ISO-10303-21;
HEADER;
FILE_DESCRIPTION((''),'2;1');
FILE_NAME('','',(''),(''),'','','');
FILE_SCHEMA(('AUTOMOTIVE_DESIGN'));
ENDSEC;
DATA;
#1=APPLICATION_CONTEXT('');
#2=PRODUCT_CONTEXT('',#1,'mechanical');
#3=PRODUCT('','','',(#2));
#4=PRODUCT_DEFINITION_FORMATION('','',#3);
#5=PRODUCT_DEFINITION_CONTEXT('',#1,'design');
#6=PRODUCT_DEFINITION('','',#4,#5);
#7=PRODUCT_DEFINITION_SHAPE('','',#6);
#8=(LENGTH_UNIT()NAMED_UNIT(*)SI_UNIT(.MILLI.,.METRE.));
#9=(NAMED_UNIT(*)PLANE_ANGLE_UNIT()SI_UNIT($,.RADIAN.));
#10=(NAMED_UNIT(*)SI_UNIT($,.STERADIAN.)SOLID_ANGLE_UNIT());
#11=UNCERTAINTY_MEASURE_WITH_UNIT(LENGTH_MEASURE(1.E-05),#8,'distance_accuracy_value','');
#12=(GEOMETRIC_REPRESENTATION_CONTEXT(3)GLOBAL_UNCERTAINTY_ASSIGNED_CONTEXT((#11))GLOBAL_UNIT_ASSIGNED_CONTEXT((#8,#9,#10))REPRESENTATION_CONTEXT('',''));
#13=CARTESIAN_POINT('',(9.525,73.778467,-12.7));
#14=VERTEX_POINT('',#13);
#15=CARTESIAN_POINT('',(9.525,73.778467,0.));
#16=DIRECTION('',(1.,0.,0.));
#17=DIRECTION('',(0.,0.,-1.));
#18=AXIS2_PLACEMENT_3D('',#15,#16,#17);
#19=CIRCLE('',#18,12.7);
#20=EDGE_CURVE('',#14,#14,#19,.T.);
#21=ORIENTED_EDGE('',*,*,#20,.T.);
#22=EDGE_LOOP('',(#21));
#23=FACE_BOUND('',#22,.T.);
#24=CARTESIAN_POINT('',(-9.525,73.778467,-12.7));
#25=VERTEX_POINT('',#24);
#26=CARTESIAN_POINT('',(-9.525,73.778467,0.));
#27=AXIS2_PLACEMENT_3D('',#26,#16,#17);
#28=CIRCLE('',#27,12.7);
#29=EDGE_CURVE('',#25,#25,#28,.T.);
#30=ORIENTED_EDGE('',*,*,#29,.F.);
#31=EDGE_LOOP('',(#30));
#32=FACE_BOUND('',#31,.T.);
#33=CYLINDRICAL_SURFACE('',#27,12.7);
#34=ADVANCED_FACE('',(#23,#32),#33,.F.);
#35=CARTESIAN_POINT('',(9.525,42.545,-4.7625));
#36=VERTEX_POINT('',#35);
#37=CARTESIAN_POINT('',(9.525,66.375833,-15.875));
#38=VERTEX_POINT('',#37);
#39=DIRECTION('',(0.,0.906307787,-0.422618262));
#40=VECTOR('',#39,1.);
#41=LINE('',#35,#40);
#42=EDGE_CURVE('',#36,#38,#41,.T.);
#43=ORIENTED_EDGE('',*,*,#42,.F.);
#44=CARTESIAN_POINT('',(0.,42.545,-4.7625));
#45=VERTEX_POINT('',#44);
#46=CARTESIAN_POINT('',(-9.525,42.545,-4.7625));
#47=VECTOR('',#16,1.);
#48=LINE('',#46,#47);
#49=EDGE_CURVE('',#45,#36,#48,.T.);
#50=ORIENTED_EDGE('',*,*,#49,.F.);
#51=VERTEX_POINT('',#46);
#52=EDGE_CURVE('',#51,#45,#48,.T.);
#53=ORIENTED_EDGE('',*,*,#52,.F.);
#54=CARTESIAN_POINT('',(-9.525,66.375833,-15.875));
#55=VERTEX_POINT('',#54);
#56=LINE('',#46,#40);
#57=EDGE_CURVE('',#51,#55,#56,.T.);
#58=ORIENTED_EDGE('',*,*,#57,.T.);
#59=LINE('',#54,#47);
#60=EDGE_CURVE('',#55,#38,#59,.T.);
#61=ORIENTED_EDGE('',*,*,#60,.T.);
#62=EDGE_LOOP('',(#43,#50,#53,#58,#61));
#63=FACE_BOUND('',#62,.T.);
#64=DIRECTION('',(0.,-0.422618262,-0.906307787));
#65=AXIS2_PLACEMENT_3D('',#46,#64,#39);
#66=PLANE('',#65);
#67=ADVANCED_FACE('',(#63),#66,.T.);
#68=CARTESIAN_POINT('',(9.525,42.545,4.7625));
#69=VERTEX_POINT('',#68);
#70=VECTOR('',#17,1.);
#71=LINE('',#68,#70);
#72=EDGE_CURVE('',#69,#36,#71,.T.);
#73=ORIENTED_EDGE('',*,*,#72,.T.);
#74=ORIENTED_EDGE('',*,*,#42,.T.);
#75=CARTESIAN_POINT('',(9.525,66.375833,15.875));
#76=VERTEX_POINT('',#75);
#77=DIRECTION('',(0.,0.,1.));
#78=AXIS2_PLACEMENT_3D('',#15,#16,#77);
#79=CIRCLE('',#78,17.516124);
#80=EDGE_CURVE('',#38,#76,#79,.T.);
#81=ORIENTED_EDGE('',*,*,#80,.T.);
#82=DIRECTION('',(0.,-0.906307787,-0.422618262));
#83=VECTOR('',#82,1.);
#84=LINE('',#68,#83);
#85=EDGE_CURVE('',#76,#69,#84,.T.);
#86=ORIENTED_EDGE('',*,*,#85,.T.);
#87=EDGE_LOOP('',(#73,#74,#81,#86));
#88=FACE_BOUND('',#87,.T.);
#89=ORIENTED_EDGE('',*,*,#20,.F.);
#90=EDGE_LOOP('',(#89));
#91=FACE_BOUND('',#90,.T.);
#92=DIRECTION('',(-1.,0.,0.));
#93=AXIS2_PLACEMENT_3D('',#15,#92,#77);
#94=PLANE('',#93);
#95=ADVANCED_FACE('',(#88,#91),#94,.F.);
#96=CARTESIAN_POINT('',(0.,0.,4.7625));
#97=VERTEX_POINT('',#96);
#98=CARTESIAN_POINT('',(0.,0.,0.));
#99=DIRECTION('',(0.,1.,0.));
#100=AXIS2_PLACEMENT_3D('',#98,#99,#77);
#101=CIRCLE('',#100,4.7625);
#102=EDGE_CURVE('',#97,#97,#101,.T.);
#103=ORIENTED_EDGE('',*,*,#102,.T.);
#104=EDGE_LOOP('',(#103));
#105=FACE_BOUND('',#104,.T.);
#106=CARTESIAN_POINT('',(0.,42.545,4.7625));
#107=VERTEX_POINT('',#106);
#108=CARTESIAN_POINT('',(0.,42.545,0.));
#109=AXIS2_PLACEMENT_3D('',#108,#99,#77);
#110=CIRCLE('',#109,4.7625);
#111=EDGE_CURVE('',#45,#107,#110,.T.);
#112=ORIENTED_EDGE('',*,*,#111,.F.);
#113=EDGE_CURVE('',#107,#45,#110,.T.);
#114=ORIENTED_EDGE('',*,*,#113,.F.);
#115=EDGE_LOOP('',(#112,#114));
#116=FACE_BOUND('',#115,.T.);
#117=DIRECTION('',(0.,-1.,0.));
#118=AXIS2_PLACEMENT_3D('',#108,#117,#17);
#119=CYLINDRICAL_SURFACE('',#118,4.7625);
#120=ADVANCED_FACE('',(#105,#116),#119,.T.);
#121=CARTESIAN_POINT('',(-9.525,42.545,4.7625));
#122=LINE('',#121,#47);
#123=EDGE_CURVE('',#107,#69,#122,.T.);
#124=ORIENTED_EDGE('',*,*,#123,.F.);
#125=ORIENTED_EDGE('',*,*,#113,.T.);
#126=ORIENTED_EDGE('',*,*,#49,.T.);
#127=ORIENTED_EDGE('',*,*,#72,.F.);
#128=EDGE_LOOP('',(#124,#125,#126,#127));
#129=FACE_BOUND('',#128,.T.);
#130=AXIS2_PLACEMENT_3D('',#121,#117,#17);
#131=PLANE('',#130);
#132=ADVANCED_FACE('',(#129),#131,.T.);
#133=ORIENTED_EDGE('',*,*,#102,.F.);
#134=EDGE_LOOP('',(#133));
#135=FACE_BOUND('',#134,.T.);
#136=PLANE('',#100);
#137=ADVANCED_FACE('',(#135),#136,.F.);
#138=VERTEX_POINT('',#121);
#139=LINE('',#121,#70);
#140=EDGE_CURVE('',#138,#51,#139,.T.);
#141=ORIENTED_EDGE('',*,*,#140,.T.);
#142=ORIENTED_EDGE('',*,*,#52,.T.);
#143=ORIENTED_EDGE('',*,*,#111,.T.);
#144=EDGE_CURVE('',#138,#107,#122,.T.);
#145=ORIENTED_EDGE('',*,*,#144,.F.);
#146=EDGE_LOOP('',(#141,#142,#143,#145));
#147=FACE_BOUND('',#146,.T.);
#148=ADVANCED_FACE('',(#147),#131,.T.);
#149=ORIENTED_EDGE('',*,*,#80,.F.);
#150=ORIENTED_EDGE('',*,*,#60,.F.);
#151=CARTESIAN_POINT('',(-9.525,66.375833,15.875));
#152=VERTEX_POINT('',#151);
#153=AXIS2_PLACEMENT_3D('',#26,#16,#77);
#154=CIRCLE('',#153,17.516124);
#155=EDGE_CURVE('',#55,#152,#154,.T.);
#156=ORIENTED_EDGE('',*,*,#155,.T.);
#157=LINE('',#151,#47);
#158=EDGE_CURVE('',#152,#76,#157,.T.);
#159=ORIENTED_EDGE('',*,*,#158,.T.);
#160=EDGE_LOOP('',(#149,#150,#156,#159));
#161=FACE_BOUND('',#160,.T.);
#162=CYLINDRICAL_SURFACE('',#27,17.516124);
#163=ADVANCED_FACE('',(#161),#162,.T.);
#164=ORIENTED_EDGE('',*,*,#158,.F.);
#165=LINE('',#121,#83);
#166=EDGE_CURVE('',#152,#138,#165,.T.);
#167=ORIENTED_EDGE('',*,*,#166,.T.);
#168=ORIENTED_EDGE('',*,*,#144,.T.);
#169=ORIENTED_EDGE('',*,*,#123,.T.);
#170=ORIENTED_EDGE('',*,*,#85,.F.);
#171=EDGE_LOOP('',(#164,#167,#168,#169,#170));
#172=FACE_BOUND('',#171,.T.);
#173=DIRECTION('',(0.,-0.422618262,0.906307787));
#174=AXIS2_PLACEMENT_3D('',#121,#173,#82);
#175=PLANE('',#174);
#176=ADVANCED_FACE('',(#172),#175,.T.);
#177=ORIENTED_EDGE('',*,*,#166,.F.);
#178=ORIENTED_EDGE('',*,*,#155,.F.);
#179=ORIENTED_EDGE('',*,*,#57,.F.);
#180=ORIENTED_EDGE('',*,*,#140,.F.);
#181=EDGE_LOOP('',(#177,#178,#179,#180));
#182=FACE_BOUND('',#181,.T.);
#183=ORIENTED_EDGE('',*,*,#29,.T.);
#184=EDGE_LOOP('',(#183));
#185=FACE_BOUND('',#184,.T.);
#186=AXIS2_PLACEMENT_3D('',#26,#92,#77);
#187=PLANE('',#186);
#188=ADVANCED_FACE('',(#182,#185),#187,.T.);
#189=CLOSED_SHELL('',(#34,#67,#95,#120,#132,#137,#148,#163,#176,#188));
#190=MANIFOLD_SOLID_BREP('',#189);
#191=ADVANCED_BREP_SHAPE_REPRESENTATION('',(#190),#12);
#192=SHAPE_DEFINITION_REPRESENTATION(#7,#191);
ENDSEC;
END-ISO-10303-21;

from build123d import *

# Parameters (mm, degrees)
SKETCH2_R                = 4.7625
BOSS_EXTRUDE1_DEPTH      = 42.545
BOSS_EXTRUDE2_DEPTH      = 9.525
BOSS_EXTRUDE2_DEPTH_BACK = 9.525
SKETCH3_R                = 12.7


with BuildPart() as part:
    # Sketch2 → Boss-Extrude1 (new body)
    with BuildSketch(Plane(origin=(0, 0, 0), x_dir=(1, 0, 0), z_dir=(0, 1, 0))):
        Circle(SKETCH2_R)
    extrude(amount=BOSS_EXTRUDE1_DEPTH)

    # Sketch3 → Boss-Extrude2 (add, two sides: drawn at the far end of the back side and taken through both)
    with BuildSketch(Plane(origin=(0, 0, 0), x_dir=(0, 0, -1), z_dir=(1, 0, 0)).offset(-BOSS_EXTRUDE2_DEPTH_BACK)):
        with BuildLine():
            Line((-4.7625, 42.545), (-15.875, 66.375833154))
            ThreePointArc((-15.875, 66.375833154), (0, 91.294591691), (15.875, 66.375833154))
            Line((15.875, 66.375833154), (4.7625, 42.545))
            Line((4.7625, 42.545), (-4.7625, 42.545))
        make_face()
        with Locations((0, 73.778467227)):
            Circle(SKETCH3_R, mode=Mode.SUBTRACT)
    extrude(amount=BOSS_EXTRUDE2_DEPTH + BOSS_EXTRUDE2_DEPTH_BACK)


solid = part.part
